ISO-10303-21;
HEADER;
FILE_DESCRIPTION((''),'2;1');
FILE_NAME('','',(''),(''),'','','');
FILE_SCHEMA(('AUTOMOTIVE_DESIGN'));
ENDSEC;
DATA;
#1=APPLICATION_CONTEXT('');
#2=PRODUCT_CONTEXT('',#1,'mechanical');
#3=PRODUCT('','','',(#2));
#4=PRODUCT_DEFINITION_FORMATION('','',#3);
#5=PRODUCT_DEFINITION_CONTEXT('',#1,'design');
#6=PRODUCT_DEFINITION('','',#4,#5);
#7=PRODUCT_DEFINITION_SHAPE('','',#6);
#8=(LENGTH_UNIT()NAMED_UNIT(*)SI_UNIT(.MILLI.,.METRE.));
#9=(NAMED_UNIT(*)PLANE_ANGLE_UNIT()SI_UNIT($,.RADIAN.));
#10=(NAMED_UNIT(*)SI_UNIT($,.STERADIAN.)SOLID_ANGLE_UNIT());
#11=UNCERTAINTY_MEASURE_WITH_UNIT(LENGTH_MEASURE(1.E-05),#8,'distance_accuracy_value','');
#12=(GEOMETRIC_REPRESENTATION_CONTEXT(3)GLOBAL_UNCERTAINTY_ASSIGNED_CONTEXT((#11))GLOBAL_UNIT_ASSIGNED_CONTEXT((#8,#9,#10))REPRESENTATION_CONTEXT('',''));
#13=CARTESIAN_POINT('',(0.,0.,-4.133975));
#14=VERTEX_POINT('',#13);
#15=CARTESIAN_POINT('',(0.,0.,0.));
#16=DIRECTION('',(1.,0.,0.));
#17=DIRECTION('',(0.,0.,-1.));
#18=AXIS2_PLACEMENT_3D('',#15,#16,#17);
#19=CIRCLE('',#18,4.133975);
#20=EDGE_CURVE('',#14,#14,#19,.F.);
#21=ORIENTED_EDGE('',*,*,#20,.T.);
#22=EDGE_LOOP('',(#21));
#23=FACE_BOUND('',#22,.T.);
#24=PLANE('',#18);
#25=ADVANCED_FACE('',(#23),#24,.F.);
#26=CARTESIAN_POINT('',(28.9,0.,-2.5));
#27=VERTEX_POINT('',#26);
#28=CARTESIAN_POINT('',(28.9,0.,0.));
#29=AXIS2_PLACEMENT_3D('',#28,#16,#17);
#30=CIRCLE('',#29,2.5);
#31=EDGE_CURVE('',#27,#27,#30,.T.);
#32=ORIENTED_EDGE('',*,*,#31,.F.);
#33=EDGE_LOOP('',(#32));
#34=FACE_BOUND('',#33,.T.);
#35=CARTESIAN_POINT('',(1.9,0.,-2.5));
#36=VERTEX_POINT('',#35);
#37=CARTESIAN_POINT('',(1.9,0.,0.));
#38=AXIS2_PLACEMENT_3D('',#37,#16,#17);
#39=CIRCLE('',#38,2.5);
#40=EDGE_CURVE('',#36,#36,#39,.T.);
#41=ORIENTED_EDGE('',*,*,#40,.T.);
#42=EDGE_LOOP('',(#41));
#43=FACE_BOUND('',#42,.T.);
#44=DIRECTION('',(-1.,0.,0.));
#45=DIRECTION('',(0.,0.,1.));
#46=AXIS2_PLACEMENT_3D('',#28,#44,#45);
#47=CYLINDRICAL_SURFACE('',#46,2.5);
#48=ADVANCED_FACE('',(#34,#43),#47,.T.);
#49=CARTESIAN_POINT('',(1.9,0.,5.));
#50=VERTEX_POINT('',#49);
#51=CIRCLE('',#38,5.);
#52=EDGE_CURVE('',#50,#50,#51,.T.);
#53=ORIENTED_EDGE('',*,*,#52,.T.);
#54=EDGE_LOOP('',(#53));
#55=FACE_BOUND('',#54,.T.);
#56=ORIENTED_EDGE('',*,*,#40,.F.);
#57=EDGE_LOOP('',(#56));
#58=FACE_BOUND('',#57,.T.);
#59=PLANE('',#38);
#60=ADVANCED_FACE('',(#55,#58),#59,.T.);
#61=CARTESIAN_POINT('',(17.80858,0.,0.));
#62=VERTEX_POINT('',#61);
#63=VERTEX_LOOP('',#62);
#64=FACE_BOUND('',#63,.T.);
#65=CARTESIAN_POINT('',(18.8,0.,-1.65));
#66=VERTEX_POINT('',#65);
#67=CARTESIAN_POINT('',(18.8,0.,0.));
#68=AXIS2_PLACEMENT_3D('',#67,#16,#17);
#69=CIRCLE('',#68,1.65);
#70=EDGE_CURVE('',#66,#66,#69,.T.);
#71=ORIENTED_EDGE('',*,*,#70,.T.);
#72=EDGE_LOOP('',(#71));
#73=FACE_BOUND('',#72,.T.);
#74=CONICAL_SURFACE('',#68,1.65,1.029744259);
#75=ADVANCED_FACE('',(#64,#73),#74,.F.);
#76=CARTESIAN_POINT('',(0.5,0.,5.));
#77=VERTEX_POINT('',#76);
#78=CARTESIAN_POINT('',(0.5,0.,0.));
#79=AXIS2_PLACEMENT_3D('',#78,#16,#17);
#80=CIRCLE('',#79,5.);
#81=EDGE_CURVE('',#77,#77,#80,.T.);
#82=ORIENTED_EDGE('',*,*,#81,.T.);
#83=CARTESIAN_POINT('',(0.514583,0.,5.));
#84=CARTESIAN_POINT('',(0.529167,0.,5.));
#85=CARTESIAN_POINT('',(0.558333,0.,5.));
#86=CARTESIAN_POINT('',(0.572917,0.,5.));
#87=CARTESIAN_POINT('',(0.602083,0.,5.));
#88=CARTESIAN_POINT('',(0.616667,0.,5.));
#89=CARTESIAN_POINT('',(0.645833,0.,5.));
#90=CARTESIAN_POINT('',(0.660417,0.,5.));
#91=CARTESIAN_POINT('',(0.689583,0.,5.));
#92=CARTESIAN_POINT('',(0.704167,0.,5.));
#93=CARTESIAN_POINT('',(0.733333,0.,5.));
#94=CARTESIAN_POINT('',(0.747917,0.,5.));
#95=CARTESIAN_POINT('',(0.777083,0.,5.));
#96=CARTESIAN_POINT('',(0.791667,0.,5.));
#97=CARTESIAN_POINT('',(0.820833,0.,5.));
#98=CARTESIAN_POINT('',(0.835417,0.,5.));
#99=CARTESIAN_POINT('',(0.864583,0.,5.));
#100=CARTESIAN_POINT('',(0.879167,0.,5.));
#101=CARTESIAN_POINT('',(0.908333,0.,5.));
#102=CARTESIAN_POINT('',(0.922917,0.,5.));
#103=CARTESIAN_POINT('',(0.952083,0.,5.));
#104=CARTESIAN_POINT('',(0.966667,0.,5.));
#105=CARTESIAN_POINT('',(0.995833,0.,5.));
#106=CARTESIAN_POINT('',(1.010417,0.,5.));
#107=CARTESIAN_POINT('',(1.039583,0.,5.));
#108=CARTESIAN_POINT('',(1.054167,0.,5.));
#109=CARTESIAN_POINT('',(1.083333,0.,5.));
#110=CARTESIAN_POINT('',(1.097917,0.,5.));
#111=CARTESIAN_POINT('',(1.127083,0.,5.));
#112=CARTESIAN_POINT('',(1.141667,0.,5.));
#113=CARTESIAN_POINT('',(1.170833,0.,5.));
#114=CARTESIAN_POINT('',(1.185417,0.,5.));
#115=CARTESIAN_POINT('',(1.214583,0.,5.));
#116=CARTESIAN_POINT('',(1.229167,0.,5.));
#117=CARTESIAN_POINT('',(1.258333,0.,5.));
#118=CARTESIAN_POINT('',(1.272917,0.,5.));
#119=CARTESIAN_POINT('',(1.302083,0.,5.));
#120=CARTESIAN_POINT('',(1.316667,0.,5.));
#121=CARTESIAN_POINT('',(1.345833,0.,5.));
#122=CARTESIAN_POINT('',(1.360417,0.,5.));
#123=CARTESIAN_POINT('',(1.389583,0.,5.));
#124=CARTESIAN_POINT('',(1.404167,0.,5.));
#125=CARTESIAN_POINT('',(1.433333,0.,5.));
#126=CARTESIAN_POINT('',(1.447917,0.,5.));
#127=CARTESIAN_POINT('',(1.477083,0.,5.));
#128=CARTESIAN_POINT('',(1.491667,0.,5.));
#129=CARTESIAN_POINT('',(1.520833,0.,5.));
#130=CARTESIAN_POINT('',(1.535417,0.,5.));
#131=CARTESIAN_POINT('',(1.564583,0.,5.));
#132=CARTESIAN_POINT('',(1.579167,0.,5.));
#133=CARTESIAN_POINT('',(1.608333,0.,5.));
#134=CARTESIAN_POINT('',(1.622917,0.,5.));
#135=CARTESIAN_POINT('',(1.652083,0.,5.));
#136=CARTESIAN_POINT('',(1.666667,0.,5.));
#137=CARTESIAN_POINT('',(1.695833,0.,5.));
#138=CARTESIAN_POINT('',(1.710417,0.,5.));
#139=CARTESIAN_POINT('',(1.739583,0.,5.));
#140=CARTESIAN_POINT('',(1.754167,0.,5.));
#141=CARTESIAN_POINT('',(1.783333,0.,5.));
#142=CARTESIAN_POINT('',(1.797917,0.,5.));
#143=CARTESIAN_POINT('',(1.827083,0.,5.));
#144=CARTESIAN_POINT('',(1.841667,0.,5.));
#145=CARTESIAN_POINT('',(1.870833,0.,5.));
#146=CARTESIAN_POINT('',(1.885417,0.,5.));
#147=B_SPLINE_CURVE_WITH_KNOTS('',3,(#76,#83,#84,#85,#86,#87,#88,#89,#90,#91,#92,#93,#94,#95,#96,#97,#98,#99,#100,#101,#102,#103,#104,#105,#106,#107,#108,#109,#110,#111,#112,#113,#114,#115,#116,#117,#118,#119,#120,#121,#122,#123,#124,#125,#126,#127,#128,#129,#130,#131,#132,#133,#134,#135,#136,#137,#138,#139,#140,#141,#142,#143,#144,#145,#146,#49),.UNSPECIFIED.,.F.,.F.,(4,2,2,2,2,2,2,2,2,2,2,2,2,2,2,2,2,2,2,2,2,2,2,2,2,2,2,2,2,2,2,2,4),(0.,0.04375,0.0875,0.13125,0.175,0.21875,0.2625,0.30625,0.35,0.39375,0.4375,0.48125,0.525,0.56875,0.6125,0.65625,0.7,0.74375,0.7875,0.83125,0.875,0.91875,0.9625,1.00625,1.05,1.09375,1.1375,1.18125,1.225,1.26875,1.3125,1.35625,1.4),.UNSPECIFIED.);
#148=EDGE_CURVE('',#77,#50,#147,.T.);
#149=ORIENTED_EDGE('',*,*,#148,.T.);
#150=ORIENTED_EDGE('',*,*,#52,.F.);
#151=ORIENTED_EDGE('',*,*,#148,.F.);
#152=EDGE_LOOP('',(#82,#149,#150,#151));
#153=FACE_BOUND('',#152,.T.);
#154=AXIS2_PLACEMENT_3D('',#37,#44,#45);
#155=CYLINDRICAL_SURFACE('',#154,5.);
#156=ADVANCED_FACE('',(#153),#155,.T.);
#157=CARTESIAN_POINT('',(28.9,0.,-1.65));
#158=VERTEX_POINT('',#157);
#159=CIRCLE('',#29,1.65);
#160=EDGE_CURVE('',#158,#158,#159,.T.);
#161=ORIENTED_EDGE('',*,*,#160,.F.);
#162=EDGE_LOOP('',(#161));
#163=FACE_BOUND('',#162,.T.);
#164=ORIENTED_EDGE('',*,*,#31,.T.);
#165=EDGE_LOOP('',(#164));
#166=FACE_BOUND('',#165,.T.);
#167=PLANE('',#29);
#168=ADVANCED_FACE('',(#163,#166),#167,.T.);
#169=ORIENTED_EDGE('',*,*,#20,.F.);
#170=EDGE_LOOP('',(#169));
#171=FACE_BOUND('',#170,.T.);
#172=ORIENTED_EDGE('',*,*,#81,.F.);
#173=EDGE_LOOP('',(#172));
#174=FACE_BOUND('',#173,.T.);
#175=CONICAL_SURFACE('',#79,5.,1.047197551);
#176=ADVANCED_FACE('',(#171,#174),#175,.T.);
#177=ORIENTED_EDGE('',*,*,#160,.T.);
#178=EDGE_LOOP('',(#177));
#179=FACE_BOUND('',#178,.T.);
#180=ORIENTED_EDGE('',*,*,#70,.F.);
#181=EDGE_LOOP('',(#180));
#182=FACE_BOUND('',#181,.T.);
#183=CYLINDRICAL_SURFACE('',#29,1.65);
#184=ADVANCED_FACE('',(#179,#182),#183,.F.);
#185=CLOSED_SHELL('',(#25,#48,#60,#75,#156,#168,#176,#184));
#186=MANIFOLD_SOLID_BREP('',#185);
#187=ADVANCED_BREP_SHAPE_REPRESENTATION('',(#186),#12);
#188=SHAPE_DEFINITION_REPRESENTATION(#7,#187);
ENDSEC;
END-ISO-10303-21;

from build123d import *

# Parameters (mm, degrees)
SKETCH_1_R             = 5
EXTRUDE_1_DEPTH        = 1.9
SKETCH_2_R             = 2.5
EXTRUDE_2_DEPTH        = 27
HOLE_WIZARD_M4_1_D     = 3.3
HOLE_WIZARD_M4_1_DEPTH = 10.1
HOLE_WIZARD_M4_1_TIP   = 0.991420021
CHAMFER_1_SIZE         = 0.5
CHAMFER_1_SIZE2        = 0.866025404


with BuildPart() as part:
    # 草图1 → 凸台-拉伸1 (new body)
    with BuildSketch(Plane(origin=(0, 0, 0), x_dir=(0, 0, -1), z_dir=(1, 0, 0))):
        with Locations(Location((0, 0, 0), (0, 0, 180))):
            Circle(SKETCH_1_R)
    extrude(amount=EXTRUDE_1_DEPTH)

    # 草图2 → 凸台-拉伸2 (add)
    with BuildSketch(Plane(origin=(1.9, 0, 0), x_dir=(0, 0, -1), z_dir=(1, 0, 0))):
        Circle(SKETCH_2_R)
    extrude(amount=EXTRUDE_2_DEPTH)

    # M4 螺纹孔1
    with Locations(Plane(origin=(28.9, 0, 0), x_dir=(0, 0, 1), z_dir=(1, 0, 0))):
        with Locations((0, 0)):
            Hole(HOLE_WIZARD_M4_1_D / 2, depth=HOLE_WIZARD_M4_1_DEPTH)
            with Locations((0, 0, -(HOLE_WIZARD_M4_1_DEPTH + HOLE_WIZARD_M4_1_TIP / 2))):  # 118° drill point
                Cone(0, HOLE_WIZARD_M4_1_D / 2, HOLE_WIZARD_M4_1_TIP, mode=Mode.SUBTRACT)

    # 倒角1
    chamfer_1_edges = [part.edges().sort_by_distance(p)[0] for p in [
        (0, 0, -5),
    ]]
    chamfer_1_side = [part.faces().sort_by_distance(p)[0] for p in [
        (0.95, 0, -5),
    ]]
    chamfer(chamfer_1_edges, length=CHAMFER_1_SIZE, length2=CHAMFER_1_SIZE2, reference=chamfer_1_side[0])


solid = part.part
